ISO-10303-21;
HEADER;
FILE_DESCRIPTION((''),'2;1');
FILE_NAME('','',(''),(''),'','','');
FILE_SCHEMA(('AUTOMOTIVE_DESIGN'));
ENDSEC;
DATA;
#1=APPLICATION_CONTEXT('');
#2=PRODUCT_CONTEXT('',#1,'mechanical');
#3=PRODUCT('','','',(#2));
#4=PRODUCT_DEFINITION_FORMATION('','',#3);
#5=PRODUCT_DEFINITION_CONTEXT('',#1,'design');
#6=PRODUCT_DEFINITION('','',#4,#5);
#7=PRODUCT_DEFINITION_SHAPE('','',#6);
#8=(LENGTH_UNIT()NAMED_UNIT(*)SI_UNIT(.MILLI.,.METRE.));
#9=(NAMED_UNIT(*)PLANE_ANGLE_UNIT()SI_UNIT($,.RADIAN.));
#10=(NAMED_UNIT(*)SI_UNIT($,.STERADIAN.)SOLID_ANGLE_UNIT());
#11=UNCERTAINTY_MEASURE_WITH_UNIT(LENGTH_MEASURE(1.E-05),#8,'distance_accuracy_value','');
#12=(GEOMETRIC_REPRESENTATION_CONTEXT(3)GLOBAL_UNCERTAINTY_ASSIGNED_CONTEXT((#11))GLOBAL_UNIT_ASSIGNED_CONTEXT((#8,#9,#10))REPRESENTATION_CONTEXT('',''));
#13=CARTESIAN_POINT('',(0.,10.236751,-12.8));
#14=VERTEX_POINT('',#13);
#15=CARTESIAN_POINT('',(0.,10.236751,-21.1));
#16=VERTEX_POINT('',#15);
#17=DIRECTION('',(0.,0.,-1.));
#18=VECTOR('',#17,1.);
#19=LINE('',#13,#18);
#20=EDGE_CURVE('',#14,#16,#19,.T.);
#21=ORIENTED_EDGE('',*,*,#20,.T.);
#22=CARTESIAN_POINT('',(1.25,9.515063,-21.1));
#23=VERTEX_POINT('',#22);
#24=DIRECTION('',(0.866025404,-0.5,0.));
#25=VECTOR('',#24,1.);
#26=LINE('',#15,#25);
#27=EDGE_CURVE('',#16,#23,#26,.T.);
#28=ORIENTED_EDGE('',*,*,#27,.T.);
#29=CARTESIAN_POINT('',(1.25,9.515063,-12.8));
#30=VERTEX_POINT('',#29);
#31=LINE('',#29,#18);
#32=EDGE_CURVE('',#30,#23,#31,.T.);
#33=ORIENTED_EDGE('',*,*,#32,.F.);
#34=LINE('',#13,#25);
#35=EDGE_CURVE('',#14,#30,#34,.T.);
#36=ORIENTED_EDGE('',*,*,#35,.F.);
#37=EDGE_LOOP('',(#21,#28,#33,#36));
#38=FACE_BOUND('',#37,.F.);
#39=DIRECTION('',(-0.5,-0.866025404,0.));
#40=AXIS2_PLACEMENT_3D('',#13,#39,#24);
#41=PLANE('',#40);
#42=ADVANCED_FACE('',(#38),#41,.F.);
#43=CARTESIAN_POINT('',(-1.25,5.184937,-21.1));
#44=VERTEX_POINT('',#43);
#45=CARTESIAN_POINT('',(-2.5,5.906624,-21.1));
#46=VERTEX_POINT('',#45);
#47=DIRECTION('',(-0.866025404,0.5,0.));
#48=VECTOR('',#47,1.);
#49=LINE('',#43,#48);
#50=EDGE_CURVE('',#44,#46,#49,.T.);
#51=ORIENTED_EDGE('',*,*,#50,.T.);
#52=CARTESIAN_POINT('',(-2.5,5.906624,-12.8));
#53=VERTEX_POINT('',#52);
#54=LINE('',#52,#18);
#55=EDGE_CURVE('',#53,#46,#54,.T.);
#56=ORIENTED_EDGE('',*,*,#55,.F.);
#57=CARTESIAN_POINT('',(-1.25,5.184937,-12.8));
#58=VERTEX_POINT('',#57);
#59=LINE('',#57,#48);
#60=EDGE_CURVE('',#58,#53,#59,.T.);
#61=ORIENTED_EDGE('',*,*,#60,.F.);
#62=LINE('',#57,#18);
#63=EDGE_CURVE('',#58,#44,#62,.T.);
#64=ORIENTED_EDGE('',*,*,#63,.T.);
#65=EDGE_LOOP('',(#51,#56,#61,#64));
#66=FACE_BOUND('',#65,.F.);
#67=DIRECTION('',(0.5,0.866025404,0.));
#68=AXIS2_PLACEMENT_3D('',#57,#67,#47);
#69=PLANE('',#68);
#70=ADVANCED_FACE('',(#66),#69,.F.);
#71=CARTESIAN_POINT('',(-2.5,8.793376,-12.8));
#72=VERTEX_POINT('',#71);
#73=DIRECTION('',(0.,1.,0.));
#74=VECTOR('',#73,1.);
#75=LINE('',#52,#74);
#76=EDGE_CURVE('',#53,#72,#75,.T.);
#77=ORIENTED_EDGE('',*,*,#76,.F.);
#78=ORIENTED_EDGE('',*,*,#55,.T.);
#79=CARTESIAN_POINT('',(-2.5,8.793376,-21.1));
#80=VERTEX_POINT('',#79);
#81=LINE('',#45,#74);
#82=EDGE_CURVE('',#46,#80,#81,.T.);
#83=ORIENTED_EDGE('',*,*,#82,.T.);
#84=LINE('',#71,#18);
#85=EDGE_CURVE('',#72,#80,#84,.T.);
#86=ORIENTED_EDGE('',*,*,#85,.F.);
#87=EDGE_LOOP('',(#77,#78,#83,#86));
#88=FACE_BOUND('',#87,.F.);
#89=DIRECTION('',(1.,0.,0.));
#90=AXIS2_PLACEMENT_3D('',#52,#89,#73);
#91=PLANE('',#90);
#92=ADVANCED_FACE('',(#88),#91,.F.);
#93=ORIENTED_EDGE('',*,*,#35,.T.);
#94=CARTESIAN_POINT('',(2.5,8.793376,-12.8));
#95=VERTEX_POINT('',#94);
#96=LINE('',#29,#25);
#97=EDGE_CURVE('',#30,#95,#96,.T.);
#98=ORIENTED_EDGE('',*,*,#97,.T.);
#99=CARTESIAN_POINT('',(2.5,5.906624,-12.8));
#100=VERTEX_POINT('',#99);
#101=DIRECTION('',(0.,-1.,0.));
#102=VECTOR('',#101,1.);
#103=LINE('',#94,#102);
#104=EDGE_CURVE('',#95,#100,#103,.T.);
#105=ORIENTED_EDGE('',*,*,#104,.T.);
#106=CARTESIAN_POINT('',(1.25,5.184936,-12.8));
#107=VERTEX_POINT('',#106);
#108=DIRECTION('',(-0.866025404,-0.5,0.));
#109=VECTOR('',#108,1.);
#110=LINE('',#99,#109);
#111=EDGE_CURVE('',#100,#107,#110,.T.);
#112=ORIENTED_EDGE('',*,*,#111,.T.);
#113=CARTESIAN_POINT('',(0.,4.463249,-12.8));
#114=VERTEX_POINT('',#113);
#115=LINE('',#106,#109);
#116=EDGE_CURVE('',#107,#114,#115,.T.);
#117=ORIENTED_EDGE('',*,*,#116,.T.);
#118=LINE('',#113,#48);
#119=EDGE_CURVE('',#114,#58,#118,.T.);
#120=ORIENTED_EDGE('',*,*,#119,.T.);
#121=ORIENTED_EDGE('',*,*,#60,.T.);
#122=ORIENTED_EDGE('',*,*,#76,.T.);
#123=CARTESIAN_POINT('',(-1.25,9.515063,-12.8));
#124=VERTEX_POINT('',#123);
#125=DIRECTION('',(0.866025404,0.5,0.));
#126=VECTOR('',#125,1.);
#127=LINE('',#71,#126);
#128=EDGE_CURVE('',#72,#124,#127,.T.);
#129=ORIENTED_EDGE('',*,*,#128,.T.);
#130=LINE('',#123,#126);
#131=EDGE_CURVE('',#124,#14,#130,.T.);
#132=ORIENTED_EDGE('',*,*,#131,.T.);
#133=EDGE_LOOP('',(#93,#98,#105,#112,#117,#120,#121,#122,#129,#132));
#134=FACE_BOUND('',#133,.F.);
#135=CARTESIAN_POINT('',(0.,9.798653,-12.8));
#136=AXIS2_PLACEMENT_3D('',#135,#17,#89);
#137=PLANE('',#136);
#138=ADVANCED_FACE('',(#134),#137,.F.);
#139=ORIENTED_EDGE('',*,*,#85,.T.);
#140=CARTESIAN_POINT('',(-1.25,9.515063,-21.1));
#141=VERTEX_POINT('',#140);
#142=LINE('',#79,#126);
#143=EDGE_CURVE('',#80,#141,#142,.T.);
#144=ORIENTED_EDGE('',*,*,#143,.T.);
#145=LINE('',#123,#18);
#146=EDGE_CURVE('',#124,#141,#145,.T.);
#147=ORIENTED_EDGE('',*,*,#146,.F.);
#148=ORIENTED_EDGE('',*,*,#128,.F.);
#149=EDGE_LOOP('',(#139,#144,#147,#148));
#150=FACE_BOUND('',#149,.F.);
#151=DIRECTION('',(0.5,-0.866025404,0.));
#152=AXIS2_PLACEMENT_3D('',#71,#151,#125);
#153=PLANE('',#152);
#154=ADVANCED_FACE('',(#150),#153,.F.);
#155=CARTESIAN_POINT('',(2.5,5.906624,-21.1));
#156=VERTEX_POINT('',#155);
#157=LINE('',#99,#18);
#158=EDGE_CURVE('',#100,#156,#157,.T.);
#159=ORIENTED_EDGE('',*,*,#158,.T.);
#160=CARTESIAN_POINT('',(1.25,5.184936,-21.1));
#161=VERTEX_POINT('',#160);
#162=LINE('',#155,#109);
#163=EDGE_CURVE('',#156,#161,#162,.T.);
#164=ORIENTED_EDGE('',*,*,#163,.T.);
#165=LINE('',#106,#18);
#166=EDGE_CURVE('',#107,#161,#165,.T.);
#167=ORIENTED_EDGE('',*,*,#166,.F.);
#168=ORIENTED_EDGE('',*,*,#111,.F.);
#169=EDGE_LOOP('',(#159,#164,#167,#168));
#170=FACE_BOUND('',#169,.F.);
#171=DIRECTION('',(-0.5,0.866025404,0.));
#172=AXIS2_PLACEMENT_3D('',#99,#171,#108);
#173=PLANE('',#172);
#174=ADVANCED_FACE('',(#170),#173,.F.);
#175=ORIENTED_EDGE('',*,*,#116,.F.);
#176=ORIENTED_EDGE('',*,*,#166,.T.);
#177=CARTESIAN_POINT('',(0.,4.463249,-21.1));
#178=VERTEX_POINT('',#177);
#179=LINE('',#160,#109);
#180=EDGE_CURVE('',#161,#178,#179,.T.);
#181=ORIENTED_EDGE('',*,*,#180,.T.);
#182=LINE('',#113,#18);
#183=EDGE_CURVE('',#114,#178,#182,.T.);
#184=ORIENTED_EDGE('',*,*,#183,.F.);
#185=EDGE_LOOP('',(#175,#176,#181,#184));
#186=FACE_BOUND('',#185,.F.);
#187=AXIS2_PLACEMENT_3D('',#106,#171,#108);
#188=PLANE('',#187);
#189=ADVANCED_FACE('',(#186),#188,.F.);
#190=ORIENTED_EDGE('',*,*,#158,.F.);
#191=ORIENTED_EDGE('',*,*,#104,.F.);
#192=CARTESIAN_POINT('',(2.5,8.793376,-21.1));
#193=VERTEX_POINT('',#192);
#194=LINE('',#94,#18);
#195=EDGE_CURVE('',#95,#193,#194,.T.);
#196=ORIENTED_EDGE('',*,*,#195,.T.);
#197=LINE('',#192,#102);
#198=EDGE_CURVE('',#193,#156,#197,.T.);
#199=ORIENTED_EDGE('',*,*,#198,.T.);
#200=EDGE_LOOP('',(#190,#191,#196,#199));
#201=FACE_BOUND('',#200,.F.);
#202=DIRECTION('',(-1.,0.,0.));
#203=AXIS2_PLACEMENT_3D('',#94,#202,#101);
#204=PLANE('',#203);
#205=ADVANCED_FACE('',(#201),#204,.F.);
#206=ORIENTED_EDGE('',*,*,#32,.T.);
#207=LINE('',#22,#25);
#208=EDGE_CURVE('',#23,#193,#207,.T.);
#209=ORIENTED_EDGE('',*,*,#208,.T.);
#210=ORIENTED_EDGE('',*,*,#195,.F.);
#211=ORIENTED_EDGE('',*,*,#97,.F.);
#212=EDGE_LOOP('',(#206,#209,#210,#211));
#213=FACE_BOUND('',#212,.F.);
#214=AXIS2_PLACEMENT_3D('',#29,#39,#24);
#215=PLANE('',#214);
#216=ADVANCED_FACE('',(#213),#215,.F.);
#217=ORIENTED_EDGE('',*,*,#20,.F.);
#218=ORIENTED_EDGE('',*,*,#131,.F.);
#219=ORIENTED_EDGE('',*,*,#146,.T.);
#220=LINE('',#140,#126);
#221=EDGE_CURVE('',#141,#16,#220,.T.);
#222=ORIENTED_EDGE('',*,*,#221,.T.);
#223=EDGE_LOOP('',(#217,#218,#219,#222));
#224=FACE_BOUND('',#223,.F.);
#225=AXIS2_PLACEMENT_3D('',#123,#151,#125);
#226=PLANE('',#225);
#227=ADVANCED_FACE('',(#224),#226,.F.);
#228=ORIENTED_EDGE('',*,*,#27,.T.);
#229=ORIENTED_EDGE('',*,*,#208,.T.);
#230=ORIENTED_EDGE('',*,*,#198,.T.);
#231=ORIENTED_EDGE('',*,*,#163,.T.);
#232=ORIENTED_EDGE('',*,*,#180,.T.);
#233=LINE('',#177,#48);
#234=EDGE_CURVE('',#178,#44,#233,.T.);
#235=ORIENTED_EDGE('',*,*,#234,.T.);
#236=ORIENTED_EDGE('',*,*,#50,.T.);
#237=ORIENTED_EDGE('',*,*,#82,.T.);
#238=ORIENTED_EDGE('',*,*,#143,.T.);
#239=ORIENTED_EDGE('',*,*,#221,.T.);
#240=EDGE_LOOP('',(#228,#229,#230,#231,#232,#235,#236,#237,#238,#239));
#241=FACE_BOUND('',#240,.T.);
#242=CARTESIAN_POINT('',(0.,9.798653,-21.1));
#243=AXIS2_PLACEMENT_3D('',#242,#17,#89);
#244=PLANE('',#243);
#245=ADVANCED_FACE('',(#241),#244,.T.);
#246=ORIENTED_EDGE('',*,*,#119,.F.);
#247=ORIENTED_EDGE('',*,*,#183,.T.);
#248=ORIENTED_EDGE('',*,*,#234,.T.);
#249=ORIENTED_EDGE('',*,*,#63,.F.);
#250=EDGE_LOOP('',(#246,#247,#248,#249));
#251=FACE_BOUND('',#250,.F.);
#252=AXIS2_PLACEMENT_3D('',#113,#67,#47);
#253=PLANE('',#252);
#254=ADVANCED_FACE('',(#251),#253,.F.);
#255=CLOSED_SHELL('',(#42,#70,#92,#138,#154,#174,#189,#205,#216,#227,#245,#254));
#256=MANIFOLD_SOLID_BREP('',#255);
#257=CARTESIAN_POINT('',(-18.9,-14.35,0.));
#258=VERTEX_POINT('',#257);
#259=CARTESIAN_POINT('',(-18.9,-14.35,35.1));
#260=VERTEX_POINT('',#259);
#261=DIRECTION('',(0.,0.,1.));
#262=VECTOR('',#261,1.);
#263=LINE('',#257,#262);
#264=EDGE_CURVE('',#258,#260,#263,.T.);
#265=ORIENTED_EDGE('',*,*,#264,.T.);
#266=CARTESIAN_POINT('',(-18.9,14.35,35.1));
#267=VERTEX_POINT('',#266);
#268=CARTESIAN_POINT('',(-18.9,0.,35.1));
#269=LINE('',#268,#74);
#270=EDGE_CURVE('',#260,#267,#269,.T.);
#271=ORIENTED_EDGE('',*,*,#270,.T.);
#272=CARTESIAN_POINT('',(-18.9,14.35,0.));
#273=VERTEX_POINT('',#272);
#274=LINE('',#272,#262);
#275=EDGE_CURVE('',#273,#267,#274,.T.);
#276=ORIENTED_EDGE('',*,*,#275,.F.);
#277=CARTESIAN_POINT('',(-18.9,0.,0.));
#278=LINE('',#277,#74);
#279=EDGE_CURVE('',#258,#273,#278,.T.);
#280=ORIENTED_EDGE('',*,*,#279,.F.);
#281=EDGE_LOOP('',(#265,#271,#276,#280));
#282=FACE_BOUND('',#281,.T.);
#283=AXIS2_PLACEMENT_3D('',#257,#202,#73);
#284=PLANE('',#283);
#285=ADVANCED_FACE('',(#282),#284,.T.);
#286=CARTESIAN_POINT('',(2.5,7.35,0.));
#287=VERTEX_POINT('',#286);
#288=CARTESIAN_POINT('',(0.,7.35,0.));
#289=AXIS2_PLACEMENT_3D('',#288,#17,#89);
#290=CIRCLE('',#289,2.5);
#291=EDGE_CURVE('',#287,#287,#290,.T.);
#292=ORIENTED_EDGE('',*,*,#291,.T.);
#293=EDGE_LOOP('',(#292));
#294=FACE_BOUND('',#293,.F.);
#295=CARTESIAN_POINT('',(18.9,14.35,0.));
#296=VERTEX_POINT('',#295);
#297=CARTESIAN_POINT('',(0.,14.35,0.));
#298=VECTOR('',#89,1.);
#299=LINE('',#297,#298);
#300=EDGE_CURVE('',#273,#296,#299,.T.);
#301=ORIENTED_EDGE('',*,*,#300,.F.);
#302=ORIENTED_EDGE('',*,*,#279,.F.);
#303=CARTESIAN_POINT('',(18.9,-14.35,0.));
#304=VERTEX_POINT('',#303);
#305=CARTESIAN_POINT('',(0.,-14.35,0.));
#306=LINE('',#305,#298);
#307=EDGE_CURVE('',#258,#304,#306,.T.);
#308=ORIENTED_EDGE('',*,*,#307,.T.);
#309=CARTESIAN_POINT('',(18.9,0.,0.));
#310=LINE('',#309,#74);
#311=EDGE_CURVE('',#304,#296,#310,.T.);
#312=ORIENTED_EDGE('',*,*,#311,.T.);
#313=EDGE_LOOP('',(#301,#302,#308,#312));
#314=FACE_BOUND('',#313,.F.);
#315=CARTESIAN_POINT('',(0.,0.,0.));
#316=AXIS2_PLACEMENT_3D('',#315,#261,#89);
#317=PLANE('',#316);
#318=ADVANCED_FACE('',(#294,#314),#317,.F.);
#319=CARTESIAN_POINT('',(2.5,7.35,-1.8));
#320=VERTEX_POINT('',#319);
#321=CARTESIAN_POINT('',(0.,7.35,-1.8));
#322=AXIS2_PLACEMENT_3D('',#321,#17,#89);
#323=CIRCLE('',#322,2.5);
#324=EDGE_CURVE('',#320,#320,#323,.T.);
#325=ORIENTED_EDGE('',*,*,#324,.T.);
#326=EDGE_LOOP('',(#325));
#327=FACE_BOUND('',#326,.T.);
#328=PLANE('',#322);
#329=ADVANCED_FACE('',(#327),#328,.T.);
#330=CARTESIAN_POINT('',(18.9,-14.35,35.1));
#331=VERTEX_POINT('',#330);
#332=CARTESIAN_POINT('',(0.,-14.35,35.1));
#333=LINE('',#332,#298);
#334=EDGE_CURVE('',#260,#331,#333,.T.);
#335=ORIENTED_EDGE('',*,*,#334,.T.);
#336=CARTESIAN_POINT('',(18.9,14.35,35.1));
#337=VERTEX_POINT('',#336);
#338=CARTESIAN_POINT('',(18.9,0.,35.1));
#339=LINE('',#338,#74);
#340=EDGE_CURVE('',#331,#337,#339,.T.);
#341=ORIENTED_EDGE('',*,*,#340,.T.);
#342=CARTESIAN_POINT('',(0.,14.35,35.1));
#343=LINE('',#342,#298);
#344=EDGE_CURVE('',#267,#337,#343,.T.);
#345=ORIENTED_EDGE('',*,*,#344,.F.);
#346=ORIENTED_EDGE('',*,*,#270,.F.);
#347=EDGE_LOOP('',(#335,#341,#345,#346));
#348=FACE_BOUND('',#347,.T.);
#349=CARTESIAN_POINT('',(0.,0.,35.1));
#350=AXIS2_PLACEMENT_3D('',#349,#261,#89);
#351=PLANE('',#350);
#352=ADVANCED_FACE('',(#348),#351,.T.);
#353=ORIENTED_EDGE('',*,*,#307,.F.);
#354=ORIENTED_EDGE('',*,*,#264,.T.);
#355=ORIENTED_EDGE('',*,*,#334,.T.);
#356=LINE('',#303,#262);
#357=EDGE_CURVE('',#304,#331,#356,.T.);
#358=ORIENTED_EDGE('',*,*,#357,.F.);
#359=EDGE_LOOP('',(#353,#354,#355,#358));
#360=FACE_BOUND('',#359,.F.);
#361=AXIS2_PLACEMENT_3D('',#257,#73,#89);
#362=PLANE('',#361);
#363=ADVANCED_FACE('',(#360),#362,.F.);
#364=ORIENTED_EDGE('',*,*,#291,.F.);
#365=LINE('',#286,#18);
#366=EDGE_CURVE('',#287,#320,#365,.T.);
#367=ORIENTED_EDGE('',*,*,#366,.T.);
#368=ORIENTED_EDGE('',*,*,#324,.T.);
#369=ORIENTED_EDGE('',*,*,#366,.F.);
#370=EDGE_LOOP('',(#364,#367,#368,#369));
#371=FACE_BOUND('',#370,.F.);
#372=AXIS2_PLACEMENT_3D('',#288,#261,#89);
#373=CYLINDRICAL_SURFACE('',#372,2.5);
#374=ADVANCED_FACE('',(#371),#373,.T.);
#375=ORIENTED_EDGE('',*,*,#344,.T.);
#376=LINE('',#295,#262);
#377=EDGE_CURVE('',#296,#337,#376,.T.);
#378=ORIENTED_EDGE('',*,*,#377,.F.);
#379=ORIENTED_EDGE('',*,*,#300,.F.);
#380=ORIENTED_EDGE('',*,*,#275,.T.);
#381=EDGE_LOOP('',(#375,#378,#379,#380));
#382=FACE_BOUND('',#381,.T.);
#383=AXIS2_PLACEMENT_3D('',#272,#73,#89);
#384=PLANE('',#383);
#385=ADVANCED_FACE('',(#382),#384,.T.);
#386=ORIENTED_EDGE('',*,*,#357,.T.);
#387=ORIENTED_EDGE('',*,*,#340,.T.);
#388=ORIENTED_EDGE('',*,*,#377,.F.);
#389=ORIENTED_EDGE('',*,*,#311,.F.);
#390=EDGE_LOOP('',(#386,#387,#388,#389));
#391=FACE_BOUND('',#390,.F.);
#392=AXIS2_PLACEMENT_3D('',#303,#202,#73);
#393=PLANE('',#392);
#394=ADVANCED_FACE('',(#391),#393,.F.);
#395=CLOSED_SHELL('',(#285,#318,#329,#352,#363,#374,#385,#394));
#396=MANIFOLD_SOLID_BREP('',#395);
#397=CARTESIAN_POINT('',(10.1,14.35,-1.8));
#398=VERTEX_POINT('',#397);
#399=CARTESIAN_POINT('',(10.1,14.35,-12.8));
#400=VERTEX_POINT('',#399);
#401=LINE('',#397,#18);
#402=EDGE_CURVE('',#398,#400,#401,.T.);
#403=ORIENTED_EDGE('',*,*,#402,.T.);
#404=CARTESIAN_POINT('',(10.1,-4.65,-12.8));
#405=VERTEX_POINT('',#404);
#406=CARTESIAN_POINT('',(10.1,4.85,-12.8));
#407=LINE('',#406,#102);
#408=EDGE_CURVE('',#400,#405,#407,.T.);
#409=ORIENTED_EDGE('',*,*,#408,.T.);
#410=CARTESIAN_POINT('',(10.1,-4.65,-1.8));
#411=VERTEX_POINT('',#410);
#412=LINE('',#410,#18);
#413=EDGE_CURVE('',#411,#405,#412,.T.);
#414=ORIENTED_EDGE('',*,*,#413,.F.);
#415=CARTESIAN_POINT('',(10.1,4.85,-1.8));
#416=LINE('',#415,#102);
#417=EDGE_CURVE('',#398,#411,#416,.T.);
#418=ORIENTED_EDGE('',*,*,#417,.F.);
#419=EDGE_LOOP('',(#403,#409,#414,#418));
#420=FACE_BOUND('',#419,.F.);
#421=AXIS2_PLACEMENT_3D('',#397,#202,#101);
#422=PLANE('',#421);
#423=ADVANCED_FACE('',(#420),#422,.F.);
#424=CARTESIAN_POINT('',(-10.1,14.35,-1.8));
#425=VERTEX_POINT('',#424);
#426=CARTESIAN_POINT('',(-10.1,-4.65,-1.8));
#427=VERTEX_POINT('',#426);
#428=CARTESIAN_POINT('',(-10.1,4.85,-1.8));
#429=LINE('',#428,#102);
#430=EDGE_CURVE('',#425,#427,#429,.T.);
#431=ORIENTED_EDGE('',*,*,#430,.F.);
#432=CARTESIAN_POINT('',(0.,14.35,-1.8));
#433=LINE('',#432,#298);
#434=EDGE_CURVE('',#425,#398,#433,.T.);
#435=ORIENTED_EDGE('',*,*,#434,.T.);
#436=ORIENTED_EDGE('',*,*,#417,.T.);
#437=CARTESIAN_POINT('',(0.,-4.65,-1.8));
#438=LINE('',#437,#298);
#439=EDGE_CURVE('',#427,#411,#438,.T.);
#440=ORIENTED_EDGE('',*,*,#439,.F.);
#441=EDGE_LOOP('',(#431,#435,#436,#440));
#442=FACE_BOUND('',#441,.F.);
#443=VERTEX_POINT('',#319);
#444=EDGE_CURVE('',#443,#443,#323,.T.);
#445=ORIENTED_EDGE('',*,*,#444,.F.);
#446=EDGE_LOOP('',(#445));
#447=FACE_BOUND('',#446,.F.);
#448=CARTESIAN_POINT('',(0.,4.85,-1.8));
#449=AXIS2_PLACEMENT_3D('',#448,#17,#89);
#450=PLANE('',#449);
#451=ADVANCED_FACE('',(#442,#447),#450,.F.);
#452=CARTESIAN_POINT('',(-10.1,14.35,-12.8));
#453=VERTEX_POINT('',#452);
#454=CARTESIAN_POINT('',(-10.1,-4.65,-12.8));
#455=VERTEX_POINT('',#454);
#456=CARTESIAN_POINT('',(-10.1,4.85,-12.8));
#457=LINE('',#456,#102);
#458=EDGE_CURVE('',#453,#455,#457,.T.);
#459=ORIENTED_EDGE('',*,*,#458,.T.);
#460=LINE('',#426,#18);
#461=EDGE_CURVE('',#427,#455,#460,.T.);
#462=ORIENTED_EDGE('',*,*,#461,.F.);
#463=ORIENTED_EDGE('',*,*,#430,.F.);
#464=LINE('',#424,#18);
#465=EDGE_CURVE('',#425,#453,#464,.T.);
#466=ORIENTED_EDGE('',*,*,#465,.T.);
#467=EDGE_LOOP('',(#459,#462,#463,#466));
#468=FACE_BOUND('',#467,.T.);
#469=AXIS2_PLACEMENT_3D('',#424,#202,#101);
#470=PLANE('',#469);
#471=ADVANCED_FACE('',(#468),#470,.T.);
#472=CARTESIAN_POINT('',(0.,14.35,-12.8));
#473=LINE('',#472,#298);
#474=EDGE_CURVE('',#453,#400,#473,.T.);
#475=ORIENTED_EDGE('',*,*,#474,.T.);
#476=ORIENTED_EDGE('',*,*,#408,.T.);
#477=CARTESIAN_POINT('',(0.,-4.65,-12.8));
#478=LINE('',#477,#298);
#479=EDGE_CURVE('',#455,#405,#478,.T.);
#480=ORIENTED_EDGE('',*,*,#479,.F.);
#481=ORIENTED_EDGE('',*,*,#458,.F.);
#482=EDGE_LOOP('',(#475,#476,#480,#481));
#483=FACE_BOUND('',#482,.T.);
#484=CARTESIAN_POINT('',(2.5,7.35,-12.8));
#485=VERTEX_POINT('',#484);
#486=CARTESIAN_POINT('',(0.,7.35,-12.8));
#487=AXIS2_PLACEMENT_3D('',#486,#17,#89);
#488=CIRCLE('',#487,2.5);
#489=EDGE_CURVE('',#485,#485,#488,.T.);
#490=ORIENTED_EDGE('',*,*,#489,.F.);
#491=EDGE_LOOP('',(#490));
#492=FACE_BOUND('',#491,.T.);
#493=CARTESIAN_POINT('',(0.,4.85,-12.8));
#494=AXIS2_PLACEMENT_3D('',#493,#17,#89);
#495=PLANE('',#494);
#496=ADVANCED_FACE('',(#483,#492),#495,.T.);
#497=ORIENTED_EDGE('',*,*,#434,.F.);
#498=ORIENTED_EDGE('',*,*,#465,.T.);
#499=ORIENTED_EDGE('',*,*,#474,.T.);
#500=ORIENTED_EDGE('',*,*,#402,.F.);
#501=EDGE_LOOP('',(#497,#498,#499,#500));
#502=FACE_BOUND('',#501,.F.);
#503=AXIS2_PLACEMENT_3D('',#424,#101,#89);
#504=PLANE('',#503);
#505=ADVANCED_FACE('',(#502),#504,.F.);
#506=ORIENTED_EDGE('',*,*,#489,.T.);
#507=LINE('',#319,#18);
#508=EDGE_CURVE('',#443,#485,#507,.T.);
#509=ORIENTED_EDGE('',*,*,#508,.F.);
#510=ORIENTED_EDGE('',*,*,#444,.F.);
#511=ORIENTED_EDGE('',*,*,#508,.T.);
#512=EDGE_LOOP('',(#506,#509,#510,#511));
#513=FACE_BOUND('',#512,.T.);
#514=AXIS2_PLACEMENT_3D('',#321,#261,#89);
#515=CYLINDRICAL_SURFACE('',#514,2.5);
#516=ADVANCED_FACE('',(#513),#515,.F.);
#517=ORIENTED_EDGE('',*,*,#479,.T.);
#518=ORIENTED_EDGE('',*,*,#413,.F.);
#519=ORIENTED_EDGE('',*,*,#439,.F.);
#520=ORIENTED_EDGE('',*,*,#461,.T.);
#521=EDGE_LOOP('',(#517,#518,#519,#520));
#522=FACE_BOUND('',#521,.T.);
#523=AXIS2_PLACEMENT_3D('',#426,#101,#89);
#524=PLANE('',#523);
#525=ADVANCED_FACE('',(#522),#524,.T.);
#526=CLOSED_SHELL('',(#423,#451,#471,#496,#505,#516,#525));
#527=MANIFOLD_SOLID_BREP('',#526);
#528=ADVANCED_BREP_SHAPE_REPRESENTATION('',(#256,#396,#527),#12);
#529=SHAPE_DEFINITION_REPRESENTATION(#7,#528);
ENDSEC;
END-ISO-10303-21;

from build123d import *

# Parameters (mm, degrees)
F0_W     = 37.8
F0_H     = 28.7
F1_DEPTH = 35.1
F2_R     = 2.5
F3_DEPTH = 1.8
F4_W     = 20.2
F4_H     = 19
F4_R     = 2.5
F5_DEPTH = 11
F7_DEPTH = 8.3


with BuildPart() as f1:
    # F0 (on Top) → F1 (new body)
    with BuildSketch(Plane.XY):
        Rectangle(F0_W, F0_H)
    extrude(amount=F1_DEPTH)

    # F2 (on face) → F3 (join)
    with BuildSketch(Plane(origin=(0, 0, 0), x_dir=(1, 0, 0), z_dir=(0, 0, -1))):
        with Locations((0, -7.35)):
            Circle(F2_R)
    extrude(amount=F3_DEPTH)


with BuildPart() as f5:
    # F4 (on face) → F5 (new body)
    with BuildSketch(Plane(origin=(0, 0, -1.8), x_dir=(1, 0, 0), z_dir=(0, 0, -1))):
        with Locations((0, -4.85)):
            Rectangle(F4_W, F4_H)
        with Locations((0, -7.35)):
            Circle(F4_R, mode=Mode.SUBTRACT)
    extrude(amount=F5_DEPTH)


with BuildPart() as f7:
    # F6 (on face) → F7 (new body)
    with BuildSketch(Plane(origin=(0, 0, -12.8), x_dir=(1, 0, 0), z_dir=(0, 0, -1))):
        with BuildLine():
            Line((0, -10.2367513459), (1.2500000382, -9.5150634874))
            ThreePointArc((1.2500000382, -9.5150634874), (6e-09, -9.85), (-1.2500000279, -9.5150634934))
            Line((-1.2500000279, -9.5150634934), (0, -10.2367513459))
        make_face()
        with BuildLine():
            Line((2.5, -8.793375673), (2.5, -7.35))
            ThreePointArc((2.5, -7.35), (2.1650635205, -8.5999999809), (1.2500000382, -9.5150634874))
            Line((1.2500000382, -9.5150634874), (2.5, -8.793375673))
        make_face()
        with BuildLine():
            Line((-2.5, -8.793375673), (-1.2500000279, -9.5150634934))
            ThreePointArc((-1.2500000279, -9.5150634934), (-2.1650635175, -8.5999999861), (-2.5, -7.35))
            Line((-2.5, -7.35), (-2.5, -8.793375673))
        make_face()
        with BuildLine():
            ThreePointArc((1.2500000021, -5.1849364918), (2.1650635101, -6.1000000011), (2.5, -7.35))
            Line((2.5, -7.35), (2.5, -5.906624327))
            Line((2.5, -5.906624327), (1.2500000021, -5.1849364918))
        make_face()
        with BuildLine():
            ThreePointArc((-2.5, -7.35), (-2.1650635361, -6.1000000462), (-1.2500000924, -5.1849365439))
            Line((-1.2500000924, -5.1849365439), (-2.5, -5.906624327))
            Line((-2.5, -5.906624327), (-2.5, -7.35))
        make_face()
        with BuildLine():
            ThreePointArc((1.2500000382, -9.5150634874), (2.1650635205, -8.5999999809), (2.5, -7.35))
            ThreePointArc((2.5, -7.35), (2.1650635101, -6.1000000011), (1.2500000021, -5.1849364918))
            ThreePointArc((1.2500000021, -5.1849364918), (-5.21e-08, -4.85), (-1.2500000924, -5.1849365439))
            ThreePointArc((-1.2500000924, -5.1849365439), (-2.1650635361, -6.1000000462), (-2.5, -7.35))
            ThreePointArc((-2.5, -7.35), (-2.1650635175, -8.5999999861), (-1.2500000279, -9.5150634934))
            ThreePointArc((-1.2500000279, -9.5150634934), (6e-09, -9.85), (1.2500000382, -9.5150634874))
        make_face()
        with BuildLine():
            ThreePointArc((-1.2500000924, -5.1849365439), (-5.21e-08, -4.85), (1.2500000021, -5.1849364918))
            Line((1.2500000021, -5.1849364918), (0, -4.4632486541))
            Line((0, -4.4632486541), (-1.2500000924, -5.1849365439))
        make_face()
    extrude(amount=F7_DEPTH)


solid = Compound([f1.part, f5.part, f7.part])
